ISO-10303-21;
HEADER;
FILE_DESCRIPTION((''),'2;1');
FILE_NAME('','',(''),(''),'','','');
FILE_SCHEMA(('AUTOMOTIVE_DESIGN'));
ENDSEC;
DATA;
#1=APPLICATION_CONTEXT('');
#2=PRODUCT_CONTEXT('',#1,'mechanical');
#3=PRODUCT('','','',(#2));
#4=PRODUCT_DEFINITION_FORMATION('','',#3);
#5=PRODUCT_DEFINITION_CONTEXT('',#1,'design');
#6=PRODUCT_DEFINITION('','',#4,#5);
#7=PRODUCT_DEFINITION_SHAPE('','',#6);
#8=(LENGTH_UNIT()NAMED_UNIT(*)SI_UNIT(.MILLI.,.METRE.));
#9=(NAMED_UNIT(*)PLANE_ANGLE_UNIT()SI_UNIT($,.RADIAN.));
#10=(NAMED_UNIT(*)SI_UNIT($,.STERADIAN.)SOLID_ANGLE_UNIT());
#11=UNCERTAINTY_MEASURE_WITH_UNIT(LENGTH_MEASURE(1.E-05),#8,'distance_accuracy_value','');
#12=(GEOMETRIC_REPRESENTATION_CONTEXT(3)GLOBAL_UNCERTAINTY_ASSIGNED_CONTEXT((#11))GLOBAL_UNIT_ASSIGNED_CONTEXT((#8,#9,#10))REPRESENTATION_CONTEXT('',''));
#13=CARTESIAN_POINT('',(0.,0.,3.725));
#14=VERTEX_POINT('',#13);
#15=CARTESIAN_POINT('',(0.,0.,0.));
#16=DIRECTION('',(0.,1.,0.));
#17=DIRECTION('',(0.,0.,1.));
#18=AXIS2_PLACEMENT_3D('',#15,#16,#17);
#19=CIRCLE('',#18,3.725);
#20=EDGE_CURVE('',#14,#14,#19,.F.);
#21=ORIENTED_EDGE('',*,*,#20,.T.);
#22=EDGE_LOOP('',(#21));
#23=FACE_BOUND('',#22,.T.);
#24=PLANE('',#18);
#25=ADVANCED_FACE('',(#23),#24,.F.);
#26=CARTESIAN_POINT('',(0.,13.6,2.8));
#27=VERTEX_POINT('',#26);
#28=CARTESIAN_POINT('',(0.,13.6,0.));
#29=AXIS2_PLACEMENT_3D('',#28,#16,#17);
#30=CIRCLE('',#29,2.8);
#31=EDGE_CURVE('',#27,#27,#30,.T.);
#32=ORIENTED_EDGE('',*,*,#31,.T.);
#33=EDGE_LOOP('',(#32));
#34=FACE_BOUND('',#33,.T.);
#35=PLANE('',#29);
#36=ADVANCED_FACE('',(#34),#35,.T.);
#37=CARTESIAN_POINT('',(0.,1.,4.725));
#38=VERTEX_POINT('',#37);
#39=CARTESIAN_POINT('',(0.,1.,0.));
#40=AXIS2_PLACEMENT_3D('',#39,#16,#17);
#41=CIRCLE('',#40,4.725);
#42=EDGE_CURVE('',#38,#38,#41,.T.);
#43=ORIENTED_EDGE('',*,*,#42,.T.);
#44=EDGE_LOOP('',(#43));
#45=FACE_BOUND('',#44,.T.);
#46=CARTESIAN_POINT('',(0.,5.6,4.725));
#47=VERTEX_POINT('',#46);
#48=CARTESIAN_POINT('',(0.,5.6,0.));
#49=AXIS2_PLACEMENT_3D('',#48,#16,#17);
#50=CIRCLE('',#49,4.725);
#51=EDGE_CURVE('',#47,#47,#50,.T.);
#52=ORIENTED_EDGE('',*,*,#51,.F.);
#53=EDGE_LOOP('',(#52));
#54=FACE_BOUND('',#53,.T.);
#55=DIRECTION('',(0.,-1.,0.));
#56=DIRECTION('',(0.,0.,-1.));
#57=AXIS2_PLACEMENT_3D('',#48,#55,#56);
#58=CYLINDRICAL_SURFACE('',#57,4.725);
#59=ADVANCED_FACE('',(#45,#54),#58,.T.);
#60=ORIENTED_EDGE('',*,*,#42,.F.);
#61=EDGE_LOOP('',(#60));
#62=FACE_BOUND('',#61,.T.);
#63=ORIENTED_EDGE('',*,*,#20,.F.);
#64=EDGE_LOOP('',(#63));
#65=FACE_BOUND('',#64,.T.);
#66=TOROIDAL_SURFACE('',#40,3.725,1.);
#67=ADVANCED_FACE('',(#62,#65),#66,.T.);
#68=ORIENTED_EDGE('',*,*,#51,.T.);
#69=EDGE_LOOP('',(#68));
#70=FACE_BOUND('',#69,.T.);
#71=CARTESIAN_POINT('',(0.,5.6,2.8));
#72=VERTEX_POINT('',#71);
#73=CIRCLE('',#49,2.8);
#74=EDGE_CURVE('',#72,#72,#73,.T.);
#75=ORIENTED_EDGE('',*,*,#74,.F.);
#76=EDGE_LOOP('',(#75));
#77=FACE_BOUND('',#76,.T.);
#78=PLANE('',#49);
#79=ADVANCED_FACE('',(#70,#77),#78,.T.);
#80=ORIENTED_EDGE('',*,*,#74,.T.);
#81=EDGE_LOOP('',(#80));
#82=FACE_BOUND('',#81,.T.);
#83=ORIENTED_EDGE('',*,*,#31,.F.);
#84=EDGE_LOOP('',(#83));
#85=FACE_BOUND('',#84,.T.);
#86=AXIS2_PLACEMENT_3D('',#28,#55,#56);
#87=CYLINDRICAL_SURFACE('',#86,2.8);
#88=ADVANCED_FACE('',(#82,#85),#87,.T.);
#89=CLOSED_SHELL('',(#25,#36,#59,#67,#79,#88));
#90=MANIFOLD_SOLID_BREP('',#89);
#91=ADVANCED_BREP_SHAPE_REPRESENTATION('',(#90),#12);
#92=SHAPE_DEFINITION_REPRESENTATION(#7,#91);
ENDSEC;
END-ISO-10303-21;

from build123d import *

# Parameters (mm, degrees)
BEARING_PLUG_R            = 4.725
BEARINGPLUG_EXTRUDE_DEPTH = 5.6
SKETCH2_R                 = 2.8
BOSS_EXTRUDE2_DEPTH       = 8
FILLET1_R                 = 1


with BuildPart() as part:
    # Bearing Plug → BearingPlug Extrude (new body)
    with BuildSketch(Plane(origin=(0, 0, 0), x_dir=(1, 0, 0), z_dir=(0, 1, 0))):
        Circle(BEARING_PLUG_R)
    extrude(amount=BEARINGPLUG_EXTRUDE_DEPTH)

    # Sketch2 → Boss-Extrude2 (add)
    with BuildSketch(Plane(origin=(0, 5.6, 0), x_dir=(1, 0, 0), z_dir=(0, 1, 0))):
        Circle(SKETCH2_R)
    extrude(amount=BOSS_EXTRUDE2_DEPTH)

    # Fillet1
    fillet1_edges = [part.edges().sort_by_distance(p)[0] for p in [
        (-4.725, 0, 0),
    ]]
    fillet(fillet1_edges, radius=FILLET1_R)


solid = part.part
